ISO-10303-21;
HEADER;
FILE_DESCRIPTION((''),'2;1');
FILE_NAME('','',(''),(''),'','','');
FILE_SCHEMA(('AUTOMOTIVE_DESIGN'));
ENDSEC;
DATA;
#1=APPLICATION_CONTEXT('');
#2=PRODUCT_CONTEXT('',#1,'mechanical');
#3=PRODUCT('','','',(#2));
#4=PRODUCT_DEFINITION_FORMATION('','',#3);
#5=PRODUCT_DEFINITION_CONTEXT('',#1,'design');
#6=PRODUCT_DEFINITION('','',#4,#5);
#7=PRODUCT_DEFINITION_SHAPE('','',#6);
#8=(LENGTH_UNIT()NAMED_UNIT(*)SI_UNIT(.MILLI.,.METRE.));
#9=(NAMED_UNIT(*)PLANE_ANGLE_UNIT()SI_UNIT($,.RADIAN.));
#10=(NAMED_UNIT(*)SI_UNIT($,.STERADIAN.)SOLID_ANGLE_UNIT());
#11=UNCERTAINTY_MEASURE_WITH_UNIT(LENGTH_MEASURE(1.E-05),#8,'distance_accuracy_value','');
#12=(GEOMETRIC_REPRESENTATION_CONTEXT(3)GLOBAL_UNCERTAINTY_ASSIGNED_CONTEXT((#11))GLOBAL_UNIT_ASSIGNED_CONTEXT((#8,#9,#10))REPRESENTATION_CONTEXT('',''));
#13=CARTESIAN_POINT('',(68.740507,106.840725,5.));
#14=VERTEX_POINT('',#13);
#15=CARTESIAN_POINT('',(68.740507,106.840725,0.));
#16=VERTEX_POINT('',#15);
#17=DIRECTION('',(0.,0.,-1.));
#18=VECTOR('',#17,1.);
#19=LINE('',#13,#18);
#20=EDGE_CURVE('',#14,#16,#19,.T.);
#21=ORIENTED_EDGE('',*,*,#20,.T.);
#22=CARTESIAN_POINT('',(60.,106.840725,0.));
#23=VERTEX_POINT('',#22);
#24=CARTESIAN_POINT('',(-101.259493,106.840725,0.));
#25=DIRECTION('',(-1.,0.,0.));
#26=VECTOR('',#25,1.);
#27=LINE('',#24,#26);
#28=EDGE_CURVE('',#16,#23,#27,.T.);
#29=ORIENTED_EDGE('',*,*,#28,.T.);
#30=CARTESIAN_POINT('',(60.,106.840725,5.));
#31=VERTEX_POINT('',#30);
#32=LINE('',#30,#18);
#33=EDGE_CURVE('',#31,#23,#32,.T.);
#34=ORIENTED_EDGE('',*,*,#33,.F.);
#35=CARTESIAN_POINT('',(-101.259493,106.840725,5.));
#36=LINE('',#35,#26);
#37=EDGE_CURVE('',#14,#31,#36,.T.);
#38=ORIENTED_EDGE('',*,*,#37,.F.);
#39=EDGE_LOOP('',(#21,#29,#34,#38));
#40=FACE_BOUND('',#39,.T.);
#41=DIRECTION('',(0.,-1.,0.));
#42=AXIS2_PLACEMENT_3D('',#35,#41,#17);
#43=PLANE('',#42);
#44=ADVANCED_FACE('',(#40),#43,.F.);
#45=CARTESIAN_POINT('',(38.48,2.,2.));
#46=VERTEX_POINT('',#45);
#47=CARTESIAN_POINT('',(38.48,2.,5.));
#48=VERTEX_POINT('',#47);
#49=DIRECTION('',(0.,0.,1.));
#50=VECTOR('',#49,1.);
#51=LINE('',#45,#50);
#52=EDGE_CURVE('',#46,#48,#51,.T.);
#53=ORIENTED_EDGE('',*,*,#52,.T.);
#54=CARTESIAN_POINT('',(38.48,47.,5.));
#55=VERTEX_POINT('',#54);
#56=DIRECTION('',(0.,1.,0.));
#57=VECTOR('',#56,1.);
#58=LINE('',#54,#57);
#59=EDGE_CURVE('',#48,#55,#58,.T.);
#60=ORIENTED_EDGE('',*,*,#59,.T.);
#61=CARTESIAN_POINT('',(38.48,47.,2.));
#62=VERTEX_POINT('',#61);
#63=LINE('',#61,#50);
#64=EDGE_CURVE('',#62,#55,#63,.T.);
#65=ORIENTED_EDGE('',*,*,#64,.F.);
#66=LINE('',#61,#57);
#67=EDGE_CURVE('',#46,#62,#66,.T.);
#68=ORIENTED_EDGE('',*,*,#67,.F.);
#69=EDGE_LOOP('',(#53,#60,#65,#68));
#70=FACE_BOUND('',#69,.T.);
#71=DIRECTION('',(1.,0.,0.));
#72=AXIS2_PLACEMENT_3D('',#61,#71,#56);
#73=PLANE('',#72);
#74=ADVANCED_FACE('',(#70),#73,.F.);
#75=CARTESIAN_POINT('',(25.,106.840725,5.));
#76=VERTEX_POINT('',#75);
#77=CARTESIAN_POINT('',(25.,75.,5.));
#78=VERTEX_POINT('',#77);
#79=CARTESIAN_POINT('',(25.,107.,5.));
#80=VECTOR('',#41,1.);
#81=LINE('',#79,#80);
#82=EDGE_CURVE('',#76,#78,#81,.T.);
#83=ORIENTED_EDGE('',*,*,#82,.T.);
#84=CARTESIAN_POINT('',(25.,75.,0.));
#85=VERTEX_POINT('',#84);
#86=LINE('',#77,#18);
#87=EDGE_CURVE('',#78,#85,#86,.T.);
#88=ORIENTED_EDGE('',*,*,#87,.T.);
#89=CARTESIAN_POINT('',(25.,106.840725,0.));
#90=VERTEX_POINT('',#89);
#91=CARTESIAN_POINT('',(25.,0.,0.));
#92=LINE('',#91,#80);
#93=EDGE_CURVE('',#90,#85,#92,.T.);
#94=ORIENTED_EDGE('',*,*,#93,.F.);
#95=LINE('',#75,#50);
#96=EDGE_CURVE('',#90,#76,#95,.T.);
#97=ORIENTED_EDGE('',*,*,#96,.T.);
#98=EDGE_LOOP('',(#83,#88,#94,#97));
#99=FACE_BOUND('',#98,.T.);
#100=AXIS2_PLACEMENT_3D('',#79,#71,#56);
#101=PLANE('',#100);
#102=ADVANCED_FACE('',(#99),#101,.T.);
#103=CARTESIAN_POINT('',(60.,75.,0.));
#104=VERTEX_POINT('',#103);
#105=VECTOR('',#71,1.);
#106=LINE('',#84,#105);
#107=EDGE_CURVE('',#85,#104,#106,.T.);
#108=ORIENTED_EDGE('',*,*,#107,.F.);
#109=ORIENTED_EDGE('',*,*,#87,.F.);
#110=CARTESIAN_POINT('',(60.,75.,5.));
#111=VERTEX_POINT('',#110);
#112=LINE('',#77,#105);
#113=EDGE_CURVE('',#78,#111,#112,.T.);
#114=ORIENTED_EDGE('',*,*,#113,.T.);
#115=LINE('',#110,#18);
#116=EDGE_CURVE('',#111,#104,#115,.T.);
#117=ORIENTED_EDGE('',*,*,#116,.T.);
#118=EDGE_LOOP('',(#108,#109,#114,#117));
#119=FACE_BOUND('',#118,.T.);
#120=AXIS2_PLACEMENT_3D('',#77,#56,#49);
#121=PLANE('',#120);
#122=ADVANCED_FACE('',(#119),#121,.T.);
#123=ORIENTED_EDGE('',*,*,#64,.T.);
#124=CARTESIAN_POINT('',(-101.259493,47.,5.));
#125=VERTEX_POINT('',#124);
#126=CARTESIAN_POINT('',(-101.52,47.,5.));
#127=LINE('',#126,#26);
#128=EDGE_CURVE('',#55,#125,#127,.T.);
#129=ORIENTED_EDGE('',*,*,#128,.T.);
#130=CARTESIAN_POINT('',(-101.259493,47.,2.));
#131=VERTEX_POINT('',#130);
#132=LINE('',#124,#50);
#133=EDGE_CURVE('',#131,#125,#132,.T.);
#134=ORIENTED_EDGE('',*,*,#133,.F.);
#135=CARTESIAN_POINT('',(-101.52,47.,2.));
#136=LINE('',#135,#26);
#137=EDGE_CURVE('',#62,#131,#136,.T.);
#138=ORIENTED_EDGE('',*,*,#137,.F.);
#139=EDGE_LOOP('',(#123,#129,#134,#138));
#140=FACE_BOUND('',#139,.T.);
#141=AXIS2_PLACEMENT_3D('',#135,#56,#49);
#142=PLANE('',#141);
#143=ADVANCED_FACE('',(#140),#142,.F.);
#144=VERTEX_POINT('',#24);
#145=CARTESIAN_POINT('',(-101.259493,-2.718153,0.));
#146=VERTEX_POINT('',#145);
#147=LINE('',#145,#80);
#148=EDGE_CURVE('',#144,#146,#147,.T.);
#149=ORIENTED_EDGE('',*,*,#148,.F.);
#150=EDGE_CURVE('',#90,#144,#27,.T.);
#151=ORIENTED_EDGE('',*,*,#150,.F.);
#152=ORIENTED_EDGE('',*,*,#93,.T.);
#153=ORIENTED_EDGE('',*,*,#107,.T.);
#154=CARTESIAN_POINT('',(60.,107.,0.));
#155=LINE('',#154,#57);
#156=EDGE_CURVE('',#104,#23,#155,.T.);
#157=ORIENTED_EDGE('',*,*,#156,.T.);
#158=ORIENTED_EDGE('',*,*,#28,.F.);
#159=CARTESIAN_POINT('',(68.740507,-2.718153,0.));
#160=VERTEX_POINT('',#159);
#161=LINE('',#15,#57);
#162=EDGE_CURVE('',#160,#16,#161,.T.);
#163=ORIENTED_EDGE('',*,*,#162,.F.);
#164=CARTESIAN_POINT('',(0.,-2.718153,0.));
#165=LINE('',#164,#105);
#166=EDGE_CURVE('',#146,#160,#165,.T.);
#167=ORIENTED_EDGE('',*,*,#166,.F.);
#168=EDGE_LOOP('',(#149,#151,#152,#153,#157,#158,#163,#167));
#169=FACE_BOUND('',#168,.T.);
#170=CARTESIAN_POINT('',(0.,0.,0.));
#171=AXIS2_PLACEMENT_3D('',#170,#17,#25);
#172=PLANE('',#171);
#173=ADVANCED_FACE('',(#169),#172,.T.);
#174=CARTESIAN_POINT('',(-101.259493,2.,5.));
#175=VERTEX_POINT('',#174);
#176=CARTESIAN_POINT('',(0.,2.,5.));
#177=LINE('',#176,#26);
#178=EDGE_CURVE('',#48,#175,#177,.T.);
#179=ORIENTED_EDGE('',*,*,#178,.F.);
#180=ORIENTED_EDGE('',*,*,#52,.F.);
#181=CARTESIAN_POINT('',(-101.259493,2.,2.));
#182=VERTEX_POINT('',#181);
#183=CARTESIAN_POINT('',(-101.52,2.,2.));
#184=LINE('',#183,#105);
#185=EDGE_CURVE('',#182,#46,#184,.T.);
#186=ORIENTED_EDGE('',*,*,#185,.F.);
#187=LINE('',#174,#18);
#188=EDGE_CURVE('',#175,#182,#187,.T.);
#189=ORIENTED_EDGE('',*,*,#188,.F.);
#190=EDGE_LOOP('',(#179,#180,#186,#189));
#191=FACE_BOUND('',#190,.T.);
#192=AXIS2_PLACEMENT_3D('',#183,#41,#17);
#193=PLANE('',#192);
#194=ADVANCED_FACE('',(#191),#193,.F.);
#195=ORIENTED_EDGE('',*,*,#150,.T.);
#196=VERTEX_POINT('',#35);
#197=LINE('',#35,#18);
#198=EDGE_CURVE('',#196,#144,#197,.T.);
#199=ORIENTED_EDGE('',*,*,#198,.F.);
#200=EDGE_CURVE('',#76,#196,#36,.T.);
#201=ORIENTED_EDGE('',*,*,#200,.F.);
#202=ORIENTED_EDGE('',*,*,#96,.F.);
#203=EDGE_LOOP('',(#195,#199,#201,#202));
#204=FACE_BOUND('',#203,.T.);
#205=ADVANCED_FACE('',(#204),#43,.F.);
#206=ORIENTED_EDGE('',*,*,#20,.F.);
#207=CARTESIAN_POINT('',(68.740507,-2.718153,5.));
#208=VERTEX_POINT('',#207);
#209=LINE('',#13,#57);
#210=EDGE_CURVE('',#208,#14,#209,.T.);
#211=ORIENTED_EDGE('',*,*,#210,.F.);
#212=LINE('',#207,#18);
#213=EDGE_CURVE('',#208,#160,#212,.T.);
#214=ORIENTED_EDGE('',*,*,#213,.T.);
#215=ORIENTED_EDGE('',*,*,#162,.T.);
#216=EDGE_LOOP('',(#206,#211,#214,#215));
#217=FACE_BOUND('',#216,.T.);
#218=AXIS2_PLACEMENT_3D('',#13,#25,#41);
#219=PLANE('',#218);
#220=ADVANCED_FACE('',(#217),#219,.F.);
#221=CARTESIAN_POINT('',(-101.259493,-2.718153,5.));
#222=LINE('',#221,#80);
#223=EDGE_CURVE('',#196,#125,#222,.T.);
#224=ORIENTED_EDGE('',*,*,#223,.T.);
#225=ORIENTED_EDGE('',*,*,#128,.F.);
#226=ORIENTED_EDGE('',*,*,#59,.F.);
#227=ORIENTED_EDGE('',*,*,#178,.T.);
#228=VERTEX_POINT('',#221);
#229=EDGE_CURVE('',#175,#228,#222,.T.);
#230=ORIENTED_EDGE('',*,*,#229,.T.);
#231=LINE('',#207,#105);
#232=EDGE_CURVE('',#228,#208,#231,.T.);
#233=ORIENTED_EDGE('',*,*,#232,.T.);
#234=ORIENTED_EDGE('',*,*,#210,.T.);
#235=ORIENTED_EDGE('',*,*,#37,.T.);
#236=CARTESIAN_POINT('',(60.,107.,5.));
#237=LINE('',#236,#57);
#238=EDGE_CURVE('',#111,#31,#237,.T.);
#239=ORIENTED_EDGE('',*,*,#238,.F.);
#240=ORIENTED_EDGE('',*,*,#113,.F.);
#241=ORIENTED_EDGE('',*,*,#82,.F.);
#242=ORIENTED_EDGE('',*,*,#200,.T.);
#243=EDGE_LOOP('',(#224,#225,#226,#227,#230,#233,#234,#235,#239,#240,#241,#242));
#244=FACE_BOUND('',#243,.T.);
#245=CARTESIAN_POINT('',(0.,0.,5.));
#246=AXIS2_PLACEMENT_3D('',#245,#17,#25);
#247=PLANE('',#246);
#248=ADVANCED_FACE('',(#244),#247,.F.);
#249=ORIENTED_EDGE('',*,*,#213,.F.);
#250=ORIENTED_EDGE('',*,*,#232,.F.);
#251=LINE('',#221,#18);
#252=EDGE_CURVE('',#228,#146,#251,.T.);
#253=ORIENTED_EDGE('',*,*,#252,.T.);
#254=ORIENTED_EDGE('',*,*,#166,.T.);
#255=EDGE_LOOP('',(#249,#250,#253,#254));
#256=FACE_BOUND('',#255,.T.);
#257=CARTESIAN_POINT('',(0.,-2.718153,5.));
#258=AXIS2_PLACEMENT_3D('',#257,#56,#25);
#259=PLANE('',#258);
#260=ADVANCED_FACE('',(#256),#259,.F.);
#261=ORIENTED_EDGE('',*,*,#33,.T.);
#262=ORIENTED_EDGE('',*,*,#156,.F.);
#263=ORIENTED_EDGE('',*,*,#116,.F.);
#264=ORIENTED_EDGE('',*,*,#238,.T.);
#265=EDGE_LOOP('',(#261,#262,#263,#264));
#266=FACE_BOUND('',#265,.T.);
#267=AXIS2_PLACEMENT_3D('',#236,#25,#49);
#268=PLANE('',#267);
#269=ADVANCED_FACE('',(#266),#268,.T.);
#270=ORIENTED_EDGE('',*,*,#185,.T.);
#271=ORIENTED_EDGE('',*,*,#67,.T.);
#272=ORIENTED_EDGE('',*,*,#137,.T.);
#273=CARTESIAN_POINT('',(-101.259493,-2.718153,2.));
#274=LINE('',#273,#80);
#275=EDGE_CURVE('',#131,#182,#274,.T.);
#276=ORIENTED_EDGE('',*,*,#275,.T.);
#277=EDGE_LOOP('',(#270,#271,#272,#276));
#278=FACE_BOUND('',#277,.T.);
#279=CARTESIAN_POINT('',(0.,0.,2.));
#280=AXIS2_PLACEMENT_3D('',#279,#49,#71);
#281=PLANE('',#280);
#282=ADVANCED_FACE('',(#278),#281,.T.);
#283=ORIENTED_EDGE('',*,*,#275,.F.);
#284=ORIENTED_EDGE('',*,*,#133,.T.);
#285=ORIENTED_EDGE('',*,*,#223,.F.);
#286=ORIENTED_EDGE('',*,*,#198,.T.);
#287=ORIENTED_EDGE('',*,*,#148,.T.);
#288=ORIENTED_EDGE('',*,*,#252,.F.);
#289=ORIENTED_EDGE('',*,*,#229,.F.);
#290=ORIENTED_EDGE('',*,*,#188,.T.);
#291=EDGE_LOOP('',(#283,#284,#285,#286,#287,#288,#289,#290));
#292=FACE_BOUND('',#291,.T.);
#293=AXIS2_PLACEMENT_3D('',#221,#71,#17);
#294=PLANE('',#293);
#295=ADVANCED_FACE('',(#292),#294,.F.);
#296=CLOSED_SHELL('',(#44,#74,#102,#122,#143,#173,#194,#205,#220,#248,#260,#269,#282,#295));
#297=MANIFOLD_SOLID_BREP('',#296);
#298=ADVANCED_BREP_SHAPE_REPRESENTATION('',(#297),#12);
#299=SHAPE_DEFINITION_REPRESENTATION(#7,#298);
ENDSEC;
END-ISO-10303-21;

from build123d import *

# Parameters (mm, degrees)
BOSS_EXTRUDE1_DEPTH = 5
SKETCH2_W           = 140
SKETCH2_H           = 45
CUT_EXTRUDE1_DEPTH  = 3
SKETCH3_W           = 35
SKETCH3_H           = 32
CUT_EXTRUDE3_DEPTH  = 148.286881187


with BuildPart() as part:
    # Sketch1 → Boss-Extrude1 (new body)
    with BuildSketch(Plane.XY):
        Polygon((0, -2.718152765), (-101.259492884, -2.718152765), (-101.259492884, 106.840724775), (68.740507116, 106.840724775), (68.740507116, -2.718152765), align=None)
    extrude(amount=BOSS_EXTRUDE1_DEPTH)

    # Sketch2 → Cut-Extrude1 (cut)
    with BuildSketch(Plane.XY.offset(5)):
        with Locations((-31.52, 24.5)):
            Rectangle(SKETCH2_W, SKETCH2_H)
    extrude(amount=-CUT_EXTRUDE1_DEPTH, mode=Mode.SUBTRACT)

    # Sketch3 → Cut-Extrude3 (cut, through all)
    with BuildSketch(Plane.XY):
        with Locations((42.5, 91)):
            Rectangle(SKETCH3_W, SKETCH3_H)
    extrude(amount=CUT_EXTRUDE3_DEPTH, mode=Mode.SUBTRACT)


solid = part.part
